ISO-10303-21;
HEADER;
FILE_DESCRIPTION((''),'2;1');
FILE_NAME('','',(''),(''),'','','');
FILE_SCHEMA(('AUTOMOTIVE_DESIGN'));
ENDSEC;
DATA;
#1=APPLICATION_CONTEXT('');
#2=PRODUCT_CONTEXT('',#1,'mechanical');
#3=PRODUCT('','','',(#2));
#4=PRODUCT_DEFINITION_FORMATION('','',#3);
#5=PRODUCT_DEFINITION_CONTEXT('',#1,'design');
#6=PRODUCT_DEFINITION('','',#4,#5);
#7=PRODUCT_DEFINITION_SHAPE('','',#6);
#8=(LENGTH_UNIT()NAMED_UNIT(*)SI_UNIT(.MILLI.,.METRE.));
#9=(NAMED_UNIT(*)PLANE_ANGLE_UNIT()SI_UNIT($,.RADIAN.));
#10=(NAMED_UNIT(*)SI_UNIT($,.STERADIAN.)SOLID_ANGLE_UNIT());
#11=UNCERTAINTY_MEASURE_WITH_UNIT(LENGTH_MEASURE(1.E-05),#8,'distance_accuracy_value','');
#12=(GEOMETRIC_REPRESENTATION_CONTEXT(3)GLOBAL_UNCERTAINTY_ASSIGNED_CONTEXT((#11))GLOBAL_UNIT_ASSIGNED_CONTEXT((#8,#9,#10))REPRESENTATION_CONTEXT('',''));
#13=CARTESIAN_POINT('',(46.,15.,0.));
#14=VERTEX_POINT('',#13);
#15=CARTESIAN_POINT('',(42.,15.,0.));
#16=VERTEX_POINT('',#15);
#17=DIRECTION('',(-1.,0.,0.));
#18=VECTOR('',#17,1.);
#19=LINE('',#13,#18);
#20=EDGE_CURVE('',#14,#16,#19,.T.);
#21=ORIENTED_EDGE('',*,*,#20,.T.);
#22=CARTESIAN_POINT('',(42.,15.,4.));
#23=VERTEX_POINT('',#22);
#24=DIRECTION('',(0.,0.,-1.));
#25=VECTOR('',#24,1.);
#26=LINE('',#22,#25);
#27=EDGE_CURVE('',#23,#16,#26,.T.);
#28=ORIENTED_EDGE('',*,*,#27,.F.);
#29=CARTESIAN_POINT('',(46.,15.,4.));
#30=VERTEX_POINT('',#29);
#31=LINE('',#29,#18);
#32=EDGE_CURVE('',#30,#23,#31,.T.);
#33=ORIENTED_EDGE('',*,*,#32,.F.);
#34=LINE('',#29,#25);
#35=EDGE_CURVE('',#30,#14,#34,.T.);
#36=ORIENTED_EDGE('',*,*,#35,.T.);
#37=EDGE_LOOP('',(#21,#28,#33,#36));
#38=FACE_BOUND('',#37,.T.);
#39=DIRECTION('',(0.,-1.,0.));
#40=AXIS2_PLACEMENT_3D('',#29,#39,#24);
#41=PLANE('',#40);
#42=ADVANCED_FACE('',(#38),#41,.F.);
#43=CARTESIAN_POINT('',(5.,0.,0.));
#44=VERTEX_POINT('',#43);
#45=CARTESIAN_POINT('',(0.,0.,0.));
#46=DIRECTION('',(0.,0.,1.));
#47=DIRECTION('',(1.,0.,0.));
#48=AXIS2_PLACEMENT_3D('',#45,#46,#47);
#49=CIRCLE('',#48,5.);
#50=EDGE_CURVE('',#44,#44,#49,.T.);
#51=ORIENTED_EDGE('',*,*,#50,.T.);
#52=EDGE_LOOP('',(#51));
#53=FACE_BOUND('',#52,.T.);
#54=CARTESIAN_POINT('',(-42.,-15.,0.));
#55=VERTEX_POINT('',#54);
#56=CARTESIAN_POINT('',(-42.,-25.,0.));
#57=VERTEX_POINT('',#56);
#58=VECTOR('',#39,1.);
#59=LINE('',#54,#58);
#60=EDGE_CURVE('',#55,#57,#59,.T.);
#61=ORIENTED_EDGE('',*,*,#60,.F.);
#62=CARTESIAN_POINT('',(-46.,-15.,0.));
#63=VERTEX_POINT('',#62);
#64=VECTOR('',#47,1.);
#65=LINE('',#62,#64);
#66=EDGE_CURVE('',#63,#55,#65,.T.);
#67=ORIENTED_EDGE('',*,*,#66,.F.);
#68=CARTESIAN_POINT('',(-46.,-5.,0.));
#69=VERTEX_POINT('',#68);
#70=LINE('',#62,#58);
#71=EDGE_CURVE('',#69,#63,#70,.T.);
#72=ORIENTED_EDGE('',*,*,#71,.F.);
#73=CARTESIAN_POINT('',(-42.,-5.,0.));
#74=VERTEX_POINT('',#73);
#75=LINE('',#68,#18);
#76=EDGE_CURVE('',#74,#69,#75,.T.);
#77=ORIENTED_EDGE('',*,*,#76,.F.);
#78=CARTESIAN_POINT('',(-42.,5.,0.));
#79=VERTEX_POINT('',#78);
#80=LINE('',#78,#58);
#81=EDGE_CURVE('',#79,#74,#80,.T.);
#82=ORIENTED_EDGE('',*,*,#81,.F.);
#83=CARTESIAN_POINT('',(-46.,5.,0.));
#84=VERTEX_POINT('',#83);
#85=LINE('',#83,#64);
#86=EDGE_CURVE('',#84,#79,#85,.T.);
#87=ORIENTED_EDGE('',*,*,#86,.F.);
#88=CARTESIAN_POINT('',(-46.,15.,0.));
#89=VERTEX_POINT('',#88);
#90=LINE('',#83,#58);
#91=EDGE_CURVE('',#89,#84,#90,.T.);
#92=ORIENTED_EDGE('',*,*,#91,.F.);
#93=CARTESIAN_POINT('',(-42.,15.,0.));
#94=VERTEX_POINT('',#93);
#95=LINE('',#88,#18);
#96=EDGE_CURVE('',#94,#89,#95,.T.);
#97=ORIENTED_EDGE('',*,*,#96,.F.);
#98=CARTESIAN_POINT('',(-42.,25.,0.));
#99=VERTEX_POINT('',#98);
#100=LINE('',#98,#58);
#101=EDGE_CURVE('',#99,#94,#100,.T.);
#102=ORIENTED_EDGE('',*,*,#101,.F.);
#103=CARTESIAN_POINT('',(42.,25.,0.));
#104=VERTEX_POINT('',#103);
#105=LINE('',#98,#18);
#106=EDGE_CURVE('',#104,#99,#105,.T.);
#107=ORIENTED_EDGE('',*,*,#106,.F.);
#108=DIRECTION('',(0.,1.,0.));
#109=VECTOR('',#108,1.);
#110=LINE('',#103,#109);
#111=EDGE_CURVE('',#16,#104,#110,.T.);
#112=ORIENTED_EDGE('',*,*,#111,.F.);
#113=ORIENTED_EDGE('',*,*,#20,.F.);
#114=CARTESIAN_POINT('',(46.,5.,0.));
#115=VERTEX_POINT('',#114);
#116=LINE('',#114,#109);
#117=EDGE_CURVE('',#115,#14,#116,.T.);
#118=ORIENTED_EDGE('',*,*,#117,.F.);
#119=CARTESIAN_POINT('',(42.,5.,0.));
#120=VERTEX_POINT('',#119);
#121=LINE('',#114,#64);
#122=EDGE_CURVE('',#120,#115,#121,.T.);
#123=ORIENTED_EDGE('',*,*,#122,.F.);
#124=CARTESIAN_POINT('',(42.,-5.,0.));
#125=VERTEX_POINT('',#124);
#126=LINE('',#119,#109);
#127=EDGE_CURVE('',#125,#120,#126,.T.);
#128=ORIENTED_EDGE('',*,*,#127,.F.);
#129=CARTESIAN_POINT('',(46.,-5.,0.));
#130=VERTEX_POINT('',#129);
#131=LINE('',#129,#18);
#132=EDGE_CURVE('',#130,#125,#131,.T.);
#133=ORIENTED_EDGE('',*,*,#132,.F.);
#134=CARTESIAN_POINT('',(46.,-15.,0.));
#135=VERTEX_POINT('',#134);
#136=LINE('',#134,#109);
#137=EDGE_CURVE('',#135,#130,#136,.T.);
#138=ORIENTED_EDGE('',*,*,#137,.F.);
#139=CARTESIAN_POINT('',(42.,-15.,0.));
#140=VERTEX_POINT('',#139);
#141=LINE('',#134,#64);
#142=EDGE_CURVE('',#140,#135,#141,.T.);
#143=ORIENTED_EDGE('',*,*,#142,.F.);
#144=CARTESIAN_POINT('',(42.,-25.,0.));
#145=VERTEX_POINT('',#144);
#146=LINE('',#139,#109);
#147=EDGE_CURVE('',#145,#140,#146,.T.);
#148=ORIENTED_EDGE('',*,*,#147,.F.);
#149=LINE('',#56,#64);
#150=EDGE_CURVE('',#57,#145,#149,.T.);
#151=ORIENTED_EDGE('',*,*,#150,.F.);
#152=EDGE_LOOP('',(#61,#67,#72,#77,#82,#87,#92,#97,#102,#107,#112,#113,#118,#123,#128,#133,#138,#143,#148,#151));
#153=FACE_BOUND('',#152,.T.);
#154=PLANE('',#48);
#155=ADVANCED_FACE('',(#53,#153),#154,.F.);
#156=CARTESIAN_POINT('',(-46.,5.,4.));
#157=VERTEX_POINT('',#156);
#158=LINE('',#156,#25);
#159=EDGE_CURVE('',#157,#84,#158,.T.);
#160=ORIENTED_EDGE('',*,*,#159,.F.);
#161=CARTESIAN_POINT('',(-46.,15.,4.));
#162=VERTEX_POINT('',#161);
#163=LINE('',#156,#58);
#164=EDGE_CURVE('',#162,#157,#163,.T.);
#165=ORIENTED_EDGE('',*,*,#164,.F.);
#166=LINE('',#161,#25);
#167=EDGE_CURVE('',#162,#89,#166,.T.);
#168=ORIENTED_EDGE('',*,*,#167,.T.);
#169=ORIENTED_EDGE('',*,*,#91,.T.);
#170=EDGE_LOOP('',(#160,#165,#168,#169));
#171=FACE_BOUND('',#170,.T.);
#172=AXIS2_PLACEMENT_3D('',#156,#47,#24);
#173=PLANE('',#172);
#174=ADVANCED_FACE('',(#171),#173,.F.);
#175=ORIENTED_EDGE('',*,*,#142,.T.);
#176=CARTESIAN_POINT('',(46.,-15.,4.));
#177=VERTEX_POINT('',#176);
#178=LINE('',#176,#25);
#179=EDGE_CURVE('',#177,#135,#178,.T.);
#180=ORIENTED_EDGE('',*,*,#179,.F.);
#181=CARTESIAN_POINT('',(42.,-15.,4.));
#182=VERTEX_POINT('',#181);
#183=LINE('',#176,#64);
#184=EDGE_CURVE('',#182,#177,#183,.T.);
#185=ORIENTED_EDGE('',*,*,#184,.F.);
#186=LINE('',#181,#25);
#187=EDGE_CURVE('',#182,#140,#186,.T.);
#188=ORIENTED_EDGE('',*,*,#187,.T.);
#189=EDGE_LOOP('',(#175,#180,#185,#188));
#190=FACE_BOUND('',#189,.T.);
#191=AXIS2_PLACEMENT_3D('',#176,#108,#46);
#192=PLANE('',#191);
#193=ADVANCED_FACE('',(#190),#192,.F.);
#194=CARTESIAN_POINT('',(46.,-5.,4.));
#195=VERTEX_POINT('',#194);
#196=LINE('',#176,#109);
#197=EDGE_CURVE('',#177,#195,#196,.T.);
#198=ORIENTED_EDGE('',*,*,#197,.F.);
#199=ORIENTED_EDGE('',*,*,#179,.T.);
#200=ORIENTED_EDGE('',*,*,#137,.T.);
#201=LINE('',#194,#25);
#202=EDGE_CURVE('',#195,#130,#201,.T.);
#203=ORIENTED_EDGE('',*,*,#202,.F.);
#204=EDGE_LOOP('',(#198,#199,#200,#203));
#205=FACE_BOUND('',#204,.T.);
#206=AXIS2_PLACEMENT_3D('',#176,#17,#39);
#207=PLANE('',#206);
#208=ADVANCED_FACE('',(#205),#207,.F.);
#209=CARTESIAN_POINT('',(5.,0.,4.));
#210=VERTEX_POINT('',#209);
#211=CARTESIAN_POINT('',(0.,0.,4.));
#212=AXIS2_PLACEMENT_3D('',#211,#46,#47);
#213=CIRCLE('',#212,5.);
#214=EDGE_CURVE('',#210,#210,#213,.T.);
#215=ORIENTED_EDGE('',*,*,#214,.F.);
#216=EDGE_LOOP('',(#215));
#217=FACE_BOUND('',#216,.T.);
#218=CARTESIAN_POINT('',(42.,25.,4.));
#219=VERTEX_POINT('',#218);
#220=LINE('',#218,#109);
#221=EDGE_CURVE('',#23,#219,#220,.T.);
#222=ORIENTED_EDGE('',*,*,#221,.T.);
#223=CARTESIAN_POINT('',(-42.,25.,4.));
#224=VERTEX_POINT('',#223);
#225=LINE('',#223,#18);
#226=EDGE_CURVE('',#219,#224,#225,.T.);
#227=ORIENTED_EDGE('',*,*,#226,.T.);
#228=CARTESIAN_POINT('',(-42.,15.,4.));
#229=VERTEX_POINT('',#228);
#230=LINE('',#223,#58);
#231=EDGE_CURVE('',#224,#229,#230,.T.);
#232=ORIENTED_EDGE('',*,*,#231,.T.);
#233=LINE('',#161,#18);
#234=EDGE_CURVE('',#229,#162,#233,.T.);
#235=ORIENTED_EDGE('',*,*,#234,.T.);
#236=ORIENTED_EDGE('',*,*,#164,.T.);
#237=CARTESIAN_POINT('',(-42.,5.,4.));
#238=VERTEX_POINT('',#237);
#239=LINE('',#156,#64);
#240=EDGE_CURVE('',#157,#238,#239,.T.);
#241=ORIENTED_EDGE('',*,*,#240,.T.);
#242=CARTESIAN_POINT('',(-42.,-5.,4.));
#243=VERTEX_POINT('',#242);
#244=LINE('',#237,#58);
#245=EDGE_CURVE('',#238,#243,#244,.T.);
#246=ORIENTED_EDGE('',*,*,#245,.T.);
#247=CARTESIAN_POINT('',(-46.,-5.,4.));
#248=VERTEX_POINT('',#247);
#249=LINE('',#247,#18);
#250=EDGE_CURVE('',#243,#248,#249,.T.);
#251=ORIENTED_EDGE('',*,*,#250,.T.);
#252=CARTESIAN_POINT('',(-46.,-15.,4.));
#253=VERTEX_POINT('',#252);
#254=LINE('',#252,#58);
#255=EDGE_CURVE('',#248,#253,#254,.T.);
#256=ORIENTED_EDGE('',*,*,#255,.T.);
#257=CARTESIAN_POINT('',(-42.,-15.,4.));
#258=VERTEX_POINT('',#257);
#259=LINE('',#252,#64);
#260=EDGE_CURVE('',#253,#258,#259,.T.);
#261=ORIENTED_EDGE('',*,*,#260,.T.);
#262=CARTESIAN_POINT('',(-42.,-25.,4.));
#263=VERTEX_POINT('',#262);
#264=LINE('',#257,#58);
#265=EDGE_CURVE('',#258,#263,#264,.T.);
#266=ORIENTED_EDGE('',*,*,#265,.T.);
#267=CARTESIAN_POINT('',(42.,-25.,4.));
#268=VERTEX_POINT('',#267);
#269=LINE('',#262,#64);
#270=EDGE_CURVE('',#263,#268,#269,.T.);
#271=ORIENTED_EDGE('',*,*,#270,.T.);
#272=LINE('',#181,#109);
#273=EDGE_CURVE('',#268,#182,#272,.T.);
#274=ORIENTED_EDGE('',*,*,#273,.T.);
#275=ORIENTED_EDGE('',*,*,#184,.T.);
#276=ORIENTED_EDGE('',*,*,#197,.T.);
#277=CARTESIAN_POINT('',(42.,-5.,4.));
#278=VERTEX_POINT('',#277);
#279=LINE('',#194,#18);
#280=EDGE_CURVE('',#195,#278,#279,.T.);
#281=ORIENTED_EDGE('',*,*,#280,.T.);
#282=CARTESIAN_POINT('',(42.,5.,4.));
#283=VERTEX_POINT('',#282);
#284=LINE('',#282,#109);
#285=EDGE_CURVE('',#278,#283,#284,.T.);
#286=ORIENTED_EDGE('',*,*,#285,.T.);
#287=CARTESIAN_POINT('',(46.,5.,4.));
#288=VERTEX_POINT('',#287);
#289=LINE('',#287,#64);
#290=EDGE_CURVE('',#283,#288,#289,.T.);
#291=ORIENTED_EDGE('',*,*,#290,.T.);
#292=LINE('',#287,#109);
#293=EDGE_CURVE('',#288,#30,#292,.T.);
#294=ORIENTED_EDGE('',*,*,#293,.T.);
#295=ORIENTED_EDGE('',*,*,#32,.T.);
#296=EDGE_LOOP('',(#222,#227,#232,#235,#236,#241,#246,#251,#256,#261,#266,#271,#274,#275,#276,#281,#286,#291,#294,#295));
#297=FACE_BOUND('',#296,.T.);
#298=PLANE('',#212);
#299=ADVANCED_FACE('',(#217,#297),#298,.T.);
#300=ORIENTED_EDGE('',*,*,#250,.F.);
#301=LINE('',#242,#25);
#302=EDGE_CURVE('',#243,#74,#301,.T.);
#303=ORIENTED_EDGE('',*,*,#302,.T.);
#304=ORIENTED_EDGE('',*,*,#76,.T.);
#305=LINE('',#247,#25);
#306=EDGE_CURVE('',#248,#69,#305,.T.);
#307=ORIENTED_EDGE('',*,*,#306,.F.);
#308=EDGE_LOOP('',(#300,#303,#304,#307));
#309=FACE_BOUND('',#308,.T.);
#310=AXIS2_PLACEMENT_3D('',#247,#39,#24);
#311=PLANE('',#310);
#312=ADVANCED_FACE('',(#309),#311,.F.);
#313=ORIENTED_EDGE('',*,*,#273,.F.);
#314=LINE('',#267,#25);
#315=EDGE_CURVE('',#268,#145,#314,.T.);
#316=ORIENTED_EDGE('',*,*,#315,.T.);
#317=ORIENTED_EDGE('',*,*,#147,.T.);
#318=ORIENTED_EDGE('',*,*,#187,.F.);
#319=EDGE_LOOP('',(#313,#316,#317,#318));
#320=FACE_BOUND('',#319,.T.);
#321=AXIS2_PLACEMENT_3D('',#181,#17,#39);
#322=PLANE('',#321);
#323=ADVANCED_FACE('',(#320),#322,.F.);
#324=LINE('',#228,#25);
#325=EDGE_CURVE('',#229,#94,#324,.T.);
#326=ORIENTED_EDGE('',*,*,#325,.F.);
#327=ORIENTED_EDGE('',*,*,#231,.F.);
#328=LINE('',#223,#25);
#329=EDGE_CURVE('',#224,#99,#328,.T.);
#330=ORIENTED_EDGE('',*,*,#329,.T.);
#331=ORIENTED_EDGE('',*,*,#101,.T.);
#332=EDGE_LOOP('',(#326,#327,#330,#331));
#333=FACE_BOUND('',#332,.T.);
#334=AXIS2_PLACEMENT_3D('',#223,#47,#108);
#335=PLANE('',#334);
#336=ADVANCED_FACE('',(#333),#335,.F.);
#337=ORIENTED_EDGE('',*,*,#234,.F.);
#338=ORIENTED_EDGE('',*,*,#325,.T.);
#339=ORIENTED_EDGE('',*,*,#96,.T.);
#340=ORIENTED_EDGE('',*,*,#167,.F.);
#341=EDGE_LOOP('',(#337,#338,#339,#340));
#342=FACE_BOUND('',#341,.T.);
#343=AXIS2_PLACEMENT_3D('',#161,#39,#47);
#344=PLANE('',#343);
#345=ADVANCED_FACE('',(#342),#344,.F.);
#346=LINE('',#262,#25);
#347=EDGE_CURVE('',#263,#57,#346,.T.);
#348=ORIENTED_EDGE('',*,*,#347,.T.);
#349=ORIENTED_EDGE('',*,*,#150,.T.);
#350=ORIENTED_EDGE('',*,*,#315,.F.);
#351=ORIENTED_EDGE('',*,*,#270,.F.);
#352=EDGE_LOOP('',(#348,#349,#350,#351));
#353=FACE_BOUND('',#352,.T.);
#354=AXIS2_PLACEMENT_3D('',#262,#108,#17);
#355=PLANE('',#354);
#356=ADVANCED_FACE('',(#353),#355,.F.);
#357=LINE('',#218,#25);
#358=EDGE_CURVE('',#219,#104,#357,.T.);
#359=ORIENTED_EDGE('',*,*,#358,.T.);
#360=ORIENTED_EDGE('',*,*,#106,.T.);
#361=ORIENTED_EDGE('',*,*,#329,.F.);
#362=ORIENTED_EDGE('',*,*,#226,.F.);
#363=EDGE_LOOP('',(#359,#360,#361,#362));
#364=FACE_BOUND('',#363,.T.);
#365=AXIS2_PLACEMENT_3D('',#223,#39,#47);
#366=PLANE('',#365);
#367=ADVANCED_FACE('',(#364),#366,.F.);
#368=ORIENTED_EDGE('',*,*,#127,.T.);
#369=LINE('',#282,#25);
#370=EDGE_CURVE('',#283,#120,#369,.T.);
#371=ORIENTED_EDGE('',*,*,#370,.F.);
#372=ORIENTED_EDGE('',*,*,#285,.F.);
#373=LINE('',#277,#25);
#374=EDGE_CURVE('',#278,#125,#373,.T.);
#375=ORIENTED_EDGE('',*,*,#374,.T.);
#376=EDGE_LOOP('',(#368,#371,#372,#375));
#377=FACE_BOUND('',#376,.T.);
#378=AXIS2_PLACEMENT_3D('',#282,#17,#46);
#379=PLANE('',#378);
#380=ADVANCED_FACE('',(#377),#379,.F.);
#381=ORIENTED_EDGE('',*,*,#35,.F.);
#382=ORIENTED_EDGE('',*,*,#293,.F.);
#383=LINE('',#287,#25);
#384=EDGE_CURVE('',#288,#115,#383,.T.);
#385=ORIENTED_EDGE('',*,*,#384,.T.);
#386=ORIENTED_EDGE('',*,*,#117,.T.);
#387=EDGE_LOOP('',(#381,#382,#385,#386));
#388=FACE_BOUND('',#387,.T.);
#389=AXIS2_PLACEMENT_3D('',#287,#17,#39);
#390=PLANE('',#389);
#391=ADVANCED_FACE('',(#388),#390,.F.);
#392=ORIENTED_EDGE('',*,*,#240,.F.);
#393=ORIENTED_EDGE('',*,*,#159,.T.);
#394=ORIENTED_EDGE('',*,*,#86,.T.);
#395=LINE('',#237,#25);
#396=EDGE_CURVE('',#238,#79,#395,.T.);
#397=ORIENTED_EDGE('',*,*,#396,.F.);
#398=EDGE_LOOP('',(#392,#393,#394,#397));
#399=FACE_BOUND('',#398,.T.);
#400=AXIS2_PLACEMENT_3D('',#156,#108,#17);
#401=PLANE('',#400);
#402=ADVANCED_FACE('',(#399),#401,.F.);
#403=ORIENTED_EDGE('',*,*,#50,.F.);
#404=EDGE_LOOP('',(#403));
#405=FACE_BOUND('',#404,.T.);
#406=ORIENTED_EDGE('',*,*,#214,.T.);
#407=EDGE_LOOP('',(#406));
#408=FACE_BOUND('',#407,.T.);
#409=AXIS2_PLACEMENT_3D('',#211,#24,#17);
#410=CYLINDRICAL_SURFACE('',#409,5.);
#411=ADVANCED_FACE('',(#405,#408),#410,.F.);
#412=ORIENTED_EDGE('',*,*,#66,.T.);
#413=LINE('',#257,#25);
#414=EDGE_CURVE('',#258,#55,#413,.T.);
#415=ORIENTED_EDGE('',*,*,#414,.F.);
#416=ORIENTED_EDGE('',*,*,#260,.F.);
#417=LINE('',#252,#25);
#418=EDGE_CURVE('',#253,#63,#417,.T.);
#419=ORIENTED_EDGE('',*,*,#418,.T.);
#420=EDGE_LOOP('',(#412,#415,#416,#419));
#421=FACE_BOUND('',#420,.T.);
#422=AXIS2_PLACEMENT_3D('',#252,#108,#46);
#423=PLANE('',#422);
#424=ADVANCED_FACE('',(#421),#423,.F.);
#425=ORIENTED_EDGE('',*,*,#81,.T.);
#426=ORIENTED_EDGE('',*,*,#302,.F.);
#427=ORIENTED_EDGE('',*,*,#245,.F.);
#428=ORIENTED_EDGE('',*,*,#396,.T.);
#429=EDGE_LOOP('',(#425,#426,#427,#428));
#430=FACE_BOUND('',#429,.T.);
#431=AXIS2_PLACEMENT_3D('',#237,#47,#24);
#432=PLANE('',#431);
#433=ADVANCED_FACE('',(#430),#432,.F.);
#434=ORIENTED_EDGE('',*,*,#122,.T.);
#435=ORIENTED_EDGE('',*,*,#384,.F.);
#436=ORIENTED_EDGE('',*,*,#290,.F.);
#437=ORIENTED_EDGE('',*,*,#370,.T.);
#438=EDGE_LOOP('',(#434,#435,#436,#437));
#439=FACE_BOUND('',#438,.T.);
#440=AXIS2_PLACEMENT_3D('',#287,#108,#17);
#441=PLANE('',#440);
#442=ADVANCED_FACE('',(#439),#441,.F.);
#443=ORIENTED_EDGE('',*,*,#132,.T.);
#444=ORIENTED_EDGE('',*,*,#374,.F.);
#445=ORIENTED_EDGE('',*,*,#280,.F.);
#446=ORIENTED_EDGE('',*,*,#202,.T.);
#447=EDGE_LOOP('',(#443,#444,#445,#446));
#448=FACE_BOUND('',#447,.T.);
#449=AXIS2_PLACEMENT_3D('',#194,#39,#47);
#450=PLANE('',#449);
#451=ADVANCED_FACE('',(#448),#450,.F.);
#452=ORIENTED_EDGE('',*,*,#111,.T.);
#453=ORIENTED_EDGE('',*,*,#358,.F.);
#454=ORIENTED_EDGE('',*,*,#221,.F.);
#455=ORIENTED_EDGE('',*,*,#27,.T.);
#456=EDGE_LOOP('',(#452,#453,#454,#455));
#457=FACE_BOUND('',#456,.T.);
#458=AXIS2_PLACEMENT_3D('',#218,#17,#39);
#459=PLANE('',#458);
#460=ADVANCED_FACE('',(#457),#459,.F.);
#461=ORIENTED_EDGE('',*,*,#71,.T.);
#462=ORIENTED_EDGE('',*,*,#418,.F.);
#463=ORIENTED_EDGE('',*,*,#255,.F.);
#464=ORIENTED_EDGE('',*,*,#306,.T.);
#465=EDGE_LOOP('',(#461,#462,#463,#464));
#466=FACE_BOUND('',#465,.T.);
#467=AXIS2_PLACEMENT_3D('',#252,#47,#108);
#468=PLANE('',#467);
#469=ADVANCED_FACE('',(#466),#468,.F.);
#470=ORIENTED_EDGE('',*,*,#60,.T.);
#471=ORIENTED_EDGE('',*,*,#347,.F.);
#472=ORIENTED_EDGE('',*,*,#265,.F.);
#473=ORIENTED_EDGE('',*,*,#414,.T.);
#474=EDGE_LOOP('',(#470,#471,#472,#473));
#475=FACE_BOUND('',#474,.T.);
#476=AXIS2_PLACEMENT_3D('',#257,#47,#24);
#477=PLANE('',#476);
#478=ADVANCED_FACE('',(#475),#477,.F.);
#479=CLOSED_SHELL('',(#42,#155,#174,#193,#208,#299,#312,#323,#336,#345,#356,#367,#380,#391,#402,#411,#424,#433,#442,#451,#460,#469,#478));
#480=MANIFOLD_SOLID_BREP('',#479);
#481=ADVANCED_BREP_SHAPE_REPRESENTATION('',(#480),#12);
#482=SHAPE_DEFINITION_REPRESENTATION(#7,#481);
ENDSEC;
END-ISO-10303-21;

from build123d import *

# Parameters (mm, degrees)
SKETCH1_R           = 5
BOSS_EXTRUDE1_DEPTH = 4


with BuildPart() as part:
    # Sketch1 → Boss-Extrude1 (new body)
    with BuildSketch(Plane.XY):
        Polygon((-46, 5), (-46, 15), (-42, 15), (-42, 25), (42, 25), (42, 15), (46, 15), (46, 5), (42, 5), (42, -5), (46, -5), (46, -15), (42, -15), (42, -25), (-42, -25), (-42, -15), (-46, -15), (-46, -5), (-42, -5), (-42, 5), align=None)
        Circle(SKETCH1_R, mode=Mode.SUBTRACT)
    extrude(amount=BOSS_EXTRUDE1_DEPTH)


solid = part.part
